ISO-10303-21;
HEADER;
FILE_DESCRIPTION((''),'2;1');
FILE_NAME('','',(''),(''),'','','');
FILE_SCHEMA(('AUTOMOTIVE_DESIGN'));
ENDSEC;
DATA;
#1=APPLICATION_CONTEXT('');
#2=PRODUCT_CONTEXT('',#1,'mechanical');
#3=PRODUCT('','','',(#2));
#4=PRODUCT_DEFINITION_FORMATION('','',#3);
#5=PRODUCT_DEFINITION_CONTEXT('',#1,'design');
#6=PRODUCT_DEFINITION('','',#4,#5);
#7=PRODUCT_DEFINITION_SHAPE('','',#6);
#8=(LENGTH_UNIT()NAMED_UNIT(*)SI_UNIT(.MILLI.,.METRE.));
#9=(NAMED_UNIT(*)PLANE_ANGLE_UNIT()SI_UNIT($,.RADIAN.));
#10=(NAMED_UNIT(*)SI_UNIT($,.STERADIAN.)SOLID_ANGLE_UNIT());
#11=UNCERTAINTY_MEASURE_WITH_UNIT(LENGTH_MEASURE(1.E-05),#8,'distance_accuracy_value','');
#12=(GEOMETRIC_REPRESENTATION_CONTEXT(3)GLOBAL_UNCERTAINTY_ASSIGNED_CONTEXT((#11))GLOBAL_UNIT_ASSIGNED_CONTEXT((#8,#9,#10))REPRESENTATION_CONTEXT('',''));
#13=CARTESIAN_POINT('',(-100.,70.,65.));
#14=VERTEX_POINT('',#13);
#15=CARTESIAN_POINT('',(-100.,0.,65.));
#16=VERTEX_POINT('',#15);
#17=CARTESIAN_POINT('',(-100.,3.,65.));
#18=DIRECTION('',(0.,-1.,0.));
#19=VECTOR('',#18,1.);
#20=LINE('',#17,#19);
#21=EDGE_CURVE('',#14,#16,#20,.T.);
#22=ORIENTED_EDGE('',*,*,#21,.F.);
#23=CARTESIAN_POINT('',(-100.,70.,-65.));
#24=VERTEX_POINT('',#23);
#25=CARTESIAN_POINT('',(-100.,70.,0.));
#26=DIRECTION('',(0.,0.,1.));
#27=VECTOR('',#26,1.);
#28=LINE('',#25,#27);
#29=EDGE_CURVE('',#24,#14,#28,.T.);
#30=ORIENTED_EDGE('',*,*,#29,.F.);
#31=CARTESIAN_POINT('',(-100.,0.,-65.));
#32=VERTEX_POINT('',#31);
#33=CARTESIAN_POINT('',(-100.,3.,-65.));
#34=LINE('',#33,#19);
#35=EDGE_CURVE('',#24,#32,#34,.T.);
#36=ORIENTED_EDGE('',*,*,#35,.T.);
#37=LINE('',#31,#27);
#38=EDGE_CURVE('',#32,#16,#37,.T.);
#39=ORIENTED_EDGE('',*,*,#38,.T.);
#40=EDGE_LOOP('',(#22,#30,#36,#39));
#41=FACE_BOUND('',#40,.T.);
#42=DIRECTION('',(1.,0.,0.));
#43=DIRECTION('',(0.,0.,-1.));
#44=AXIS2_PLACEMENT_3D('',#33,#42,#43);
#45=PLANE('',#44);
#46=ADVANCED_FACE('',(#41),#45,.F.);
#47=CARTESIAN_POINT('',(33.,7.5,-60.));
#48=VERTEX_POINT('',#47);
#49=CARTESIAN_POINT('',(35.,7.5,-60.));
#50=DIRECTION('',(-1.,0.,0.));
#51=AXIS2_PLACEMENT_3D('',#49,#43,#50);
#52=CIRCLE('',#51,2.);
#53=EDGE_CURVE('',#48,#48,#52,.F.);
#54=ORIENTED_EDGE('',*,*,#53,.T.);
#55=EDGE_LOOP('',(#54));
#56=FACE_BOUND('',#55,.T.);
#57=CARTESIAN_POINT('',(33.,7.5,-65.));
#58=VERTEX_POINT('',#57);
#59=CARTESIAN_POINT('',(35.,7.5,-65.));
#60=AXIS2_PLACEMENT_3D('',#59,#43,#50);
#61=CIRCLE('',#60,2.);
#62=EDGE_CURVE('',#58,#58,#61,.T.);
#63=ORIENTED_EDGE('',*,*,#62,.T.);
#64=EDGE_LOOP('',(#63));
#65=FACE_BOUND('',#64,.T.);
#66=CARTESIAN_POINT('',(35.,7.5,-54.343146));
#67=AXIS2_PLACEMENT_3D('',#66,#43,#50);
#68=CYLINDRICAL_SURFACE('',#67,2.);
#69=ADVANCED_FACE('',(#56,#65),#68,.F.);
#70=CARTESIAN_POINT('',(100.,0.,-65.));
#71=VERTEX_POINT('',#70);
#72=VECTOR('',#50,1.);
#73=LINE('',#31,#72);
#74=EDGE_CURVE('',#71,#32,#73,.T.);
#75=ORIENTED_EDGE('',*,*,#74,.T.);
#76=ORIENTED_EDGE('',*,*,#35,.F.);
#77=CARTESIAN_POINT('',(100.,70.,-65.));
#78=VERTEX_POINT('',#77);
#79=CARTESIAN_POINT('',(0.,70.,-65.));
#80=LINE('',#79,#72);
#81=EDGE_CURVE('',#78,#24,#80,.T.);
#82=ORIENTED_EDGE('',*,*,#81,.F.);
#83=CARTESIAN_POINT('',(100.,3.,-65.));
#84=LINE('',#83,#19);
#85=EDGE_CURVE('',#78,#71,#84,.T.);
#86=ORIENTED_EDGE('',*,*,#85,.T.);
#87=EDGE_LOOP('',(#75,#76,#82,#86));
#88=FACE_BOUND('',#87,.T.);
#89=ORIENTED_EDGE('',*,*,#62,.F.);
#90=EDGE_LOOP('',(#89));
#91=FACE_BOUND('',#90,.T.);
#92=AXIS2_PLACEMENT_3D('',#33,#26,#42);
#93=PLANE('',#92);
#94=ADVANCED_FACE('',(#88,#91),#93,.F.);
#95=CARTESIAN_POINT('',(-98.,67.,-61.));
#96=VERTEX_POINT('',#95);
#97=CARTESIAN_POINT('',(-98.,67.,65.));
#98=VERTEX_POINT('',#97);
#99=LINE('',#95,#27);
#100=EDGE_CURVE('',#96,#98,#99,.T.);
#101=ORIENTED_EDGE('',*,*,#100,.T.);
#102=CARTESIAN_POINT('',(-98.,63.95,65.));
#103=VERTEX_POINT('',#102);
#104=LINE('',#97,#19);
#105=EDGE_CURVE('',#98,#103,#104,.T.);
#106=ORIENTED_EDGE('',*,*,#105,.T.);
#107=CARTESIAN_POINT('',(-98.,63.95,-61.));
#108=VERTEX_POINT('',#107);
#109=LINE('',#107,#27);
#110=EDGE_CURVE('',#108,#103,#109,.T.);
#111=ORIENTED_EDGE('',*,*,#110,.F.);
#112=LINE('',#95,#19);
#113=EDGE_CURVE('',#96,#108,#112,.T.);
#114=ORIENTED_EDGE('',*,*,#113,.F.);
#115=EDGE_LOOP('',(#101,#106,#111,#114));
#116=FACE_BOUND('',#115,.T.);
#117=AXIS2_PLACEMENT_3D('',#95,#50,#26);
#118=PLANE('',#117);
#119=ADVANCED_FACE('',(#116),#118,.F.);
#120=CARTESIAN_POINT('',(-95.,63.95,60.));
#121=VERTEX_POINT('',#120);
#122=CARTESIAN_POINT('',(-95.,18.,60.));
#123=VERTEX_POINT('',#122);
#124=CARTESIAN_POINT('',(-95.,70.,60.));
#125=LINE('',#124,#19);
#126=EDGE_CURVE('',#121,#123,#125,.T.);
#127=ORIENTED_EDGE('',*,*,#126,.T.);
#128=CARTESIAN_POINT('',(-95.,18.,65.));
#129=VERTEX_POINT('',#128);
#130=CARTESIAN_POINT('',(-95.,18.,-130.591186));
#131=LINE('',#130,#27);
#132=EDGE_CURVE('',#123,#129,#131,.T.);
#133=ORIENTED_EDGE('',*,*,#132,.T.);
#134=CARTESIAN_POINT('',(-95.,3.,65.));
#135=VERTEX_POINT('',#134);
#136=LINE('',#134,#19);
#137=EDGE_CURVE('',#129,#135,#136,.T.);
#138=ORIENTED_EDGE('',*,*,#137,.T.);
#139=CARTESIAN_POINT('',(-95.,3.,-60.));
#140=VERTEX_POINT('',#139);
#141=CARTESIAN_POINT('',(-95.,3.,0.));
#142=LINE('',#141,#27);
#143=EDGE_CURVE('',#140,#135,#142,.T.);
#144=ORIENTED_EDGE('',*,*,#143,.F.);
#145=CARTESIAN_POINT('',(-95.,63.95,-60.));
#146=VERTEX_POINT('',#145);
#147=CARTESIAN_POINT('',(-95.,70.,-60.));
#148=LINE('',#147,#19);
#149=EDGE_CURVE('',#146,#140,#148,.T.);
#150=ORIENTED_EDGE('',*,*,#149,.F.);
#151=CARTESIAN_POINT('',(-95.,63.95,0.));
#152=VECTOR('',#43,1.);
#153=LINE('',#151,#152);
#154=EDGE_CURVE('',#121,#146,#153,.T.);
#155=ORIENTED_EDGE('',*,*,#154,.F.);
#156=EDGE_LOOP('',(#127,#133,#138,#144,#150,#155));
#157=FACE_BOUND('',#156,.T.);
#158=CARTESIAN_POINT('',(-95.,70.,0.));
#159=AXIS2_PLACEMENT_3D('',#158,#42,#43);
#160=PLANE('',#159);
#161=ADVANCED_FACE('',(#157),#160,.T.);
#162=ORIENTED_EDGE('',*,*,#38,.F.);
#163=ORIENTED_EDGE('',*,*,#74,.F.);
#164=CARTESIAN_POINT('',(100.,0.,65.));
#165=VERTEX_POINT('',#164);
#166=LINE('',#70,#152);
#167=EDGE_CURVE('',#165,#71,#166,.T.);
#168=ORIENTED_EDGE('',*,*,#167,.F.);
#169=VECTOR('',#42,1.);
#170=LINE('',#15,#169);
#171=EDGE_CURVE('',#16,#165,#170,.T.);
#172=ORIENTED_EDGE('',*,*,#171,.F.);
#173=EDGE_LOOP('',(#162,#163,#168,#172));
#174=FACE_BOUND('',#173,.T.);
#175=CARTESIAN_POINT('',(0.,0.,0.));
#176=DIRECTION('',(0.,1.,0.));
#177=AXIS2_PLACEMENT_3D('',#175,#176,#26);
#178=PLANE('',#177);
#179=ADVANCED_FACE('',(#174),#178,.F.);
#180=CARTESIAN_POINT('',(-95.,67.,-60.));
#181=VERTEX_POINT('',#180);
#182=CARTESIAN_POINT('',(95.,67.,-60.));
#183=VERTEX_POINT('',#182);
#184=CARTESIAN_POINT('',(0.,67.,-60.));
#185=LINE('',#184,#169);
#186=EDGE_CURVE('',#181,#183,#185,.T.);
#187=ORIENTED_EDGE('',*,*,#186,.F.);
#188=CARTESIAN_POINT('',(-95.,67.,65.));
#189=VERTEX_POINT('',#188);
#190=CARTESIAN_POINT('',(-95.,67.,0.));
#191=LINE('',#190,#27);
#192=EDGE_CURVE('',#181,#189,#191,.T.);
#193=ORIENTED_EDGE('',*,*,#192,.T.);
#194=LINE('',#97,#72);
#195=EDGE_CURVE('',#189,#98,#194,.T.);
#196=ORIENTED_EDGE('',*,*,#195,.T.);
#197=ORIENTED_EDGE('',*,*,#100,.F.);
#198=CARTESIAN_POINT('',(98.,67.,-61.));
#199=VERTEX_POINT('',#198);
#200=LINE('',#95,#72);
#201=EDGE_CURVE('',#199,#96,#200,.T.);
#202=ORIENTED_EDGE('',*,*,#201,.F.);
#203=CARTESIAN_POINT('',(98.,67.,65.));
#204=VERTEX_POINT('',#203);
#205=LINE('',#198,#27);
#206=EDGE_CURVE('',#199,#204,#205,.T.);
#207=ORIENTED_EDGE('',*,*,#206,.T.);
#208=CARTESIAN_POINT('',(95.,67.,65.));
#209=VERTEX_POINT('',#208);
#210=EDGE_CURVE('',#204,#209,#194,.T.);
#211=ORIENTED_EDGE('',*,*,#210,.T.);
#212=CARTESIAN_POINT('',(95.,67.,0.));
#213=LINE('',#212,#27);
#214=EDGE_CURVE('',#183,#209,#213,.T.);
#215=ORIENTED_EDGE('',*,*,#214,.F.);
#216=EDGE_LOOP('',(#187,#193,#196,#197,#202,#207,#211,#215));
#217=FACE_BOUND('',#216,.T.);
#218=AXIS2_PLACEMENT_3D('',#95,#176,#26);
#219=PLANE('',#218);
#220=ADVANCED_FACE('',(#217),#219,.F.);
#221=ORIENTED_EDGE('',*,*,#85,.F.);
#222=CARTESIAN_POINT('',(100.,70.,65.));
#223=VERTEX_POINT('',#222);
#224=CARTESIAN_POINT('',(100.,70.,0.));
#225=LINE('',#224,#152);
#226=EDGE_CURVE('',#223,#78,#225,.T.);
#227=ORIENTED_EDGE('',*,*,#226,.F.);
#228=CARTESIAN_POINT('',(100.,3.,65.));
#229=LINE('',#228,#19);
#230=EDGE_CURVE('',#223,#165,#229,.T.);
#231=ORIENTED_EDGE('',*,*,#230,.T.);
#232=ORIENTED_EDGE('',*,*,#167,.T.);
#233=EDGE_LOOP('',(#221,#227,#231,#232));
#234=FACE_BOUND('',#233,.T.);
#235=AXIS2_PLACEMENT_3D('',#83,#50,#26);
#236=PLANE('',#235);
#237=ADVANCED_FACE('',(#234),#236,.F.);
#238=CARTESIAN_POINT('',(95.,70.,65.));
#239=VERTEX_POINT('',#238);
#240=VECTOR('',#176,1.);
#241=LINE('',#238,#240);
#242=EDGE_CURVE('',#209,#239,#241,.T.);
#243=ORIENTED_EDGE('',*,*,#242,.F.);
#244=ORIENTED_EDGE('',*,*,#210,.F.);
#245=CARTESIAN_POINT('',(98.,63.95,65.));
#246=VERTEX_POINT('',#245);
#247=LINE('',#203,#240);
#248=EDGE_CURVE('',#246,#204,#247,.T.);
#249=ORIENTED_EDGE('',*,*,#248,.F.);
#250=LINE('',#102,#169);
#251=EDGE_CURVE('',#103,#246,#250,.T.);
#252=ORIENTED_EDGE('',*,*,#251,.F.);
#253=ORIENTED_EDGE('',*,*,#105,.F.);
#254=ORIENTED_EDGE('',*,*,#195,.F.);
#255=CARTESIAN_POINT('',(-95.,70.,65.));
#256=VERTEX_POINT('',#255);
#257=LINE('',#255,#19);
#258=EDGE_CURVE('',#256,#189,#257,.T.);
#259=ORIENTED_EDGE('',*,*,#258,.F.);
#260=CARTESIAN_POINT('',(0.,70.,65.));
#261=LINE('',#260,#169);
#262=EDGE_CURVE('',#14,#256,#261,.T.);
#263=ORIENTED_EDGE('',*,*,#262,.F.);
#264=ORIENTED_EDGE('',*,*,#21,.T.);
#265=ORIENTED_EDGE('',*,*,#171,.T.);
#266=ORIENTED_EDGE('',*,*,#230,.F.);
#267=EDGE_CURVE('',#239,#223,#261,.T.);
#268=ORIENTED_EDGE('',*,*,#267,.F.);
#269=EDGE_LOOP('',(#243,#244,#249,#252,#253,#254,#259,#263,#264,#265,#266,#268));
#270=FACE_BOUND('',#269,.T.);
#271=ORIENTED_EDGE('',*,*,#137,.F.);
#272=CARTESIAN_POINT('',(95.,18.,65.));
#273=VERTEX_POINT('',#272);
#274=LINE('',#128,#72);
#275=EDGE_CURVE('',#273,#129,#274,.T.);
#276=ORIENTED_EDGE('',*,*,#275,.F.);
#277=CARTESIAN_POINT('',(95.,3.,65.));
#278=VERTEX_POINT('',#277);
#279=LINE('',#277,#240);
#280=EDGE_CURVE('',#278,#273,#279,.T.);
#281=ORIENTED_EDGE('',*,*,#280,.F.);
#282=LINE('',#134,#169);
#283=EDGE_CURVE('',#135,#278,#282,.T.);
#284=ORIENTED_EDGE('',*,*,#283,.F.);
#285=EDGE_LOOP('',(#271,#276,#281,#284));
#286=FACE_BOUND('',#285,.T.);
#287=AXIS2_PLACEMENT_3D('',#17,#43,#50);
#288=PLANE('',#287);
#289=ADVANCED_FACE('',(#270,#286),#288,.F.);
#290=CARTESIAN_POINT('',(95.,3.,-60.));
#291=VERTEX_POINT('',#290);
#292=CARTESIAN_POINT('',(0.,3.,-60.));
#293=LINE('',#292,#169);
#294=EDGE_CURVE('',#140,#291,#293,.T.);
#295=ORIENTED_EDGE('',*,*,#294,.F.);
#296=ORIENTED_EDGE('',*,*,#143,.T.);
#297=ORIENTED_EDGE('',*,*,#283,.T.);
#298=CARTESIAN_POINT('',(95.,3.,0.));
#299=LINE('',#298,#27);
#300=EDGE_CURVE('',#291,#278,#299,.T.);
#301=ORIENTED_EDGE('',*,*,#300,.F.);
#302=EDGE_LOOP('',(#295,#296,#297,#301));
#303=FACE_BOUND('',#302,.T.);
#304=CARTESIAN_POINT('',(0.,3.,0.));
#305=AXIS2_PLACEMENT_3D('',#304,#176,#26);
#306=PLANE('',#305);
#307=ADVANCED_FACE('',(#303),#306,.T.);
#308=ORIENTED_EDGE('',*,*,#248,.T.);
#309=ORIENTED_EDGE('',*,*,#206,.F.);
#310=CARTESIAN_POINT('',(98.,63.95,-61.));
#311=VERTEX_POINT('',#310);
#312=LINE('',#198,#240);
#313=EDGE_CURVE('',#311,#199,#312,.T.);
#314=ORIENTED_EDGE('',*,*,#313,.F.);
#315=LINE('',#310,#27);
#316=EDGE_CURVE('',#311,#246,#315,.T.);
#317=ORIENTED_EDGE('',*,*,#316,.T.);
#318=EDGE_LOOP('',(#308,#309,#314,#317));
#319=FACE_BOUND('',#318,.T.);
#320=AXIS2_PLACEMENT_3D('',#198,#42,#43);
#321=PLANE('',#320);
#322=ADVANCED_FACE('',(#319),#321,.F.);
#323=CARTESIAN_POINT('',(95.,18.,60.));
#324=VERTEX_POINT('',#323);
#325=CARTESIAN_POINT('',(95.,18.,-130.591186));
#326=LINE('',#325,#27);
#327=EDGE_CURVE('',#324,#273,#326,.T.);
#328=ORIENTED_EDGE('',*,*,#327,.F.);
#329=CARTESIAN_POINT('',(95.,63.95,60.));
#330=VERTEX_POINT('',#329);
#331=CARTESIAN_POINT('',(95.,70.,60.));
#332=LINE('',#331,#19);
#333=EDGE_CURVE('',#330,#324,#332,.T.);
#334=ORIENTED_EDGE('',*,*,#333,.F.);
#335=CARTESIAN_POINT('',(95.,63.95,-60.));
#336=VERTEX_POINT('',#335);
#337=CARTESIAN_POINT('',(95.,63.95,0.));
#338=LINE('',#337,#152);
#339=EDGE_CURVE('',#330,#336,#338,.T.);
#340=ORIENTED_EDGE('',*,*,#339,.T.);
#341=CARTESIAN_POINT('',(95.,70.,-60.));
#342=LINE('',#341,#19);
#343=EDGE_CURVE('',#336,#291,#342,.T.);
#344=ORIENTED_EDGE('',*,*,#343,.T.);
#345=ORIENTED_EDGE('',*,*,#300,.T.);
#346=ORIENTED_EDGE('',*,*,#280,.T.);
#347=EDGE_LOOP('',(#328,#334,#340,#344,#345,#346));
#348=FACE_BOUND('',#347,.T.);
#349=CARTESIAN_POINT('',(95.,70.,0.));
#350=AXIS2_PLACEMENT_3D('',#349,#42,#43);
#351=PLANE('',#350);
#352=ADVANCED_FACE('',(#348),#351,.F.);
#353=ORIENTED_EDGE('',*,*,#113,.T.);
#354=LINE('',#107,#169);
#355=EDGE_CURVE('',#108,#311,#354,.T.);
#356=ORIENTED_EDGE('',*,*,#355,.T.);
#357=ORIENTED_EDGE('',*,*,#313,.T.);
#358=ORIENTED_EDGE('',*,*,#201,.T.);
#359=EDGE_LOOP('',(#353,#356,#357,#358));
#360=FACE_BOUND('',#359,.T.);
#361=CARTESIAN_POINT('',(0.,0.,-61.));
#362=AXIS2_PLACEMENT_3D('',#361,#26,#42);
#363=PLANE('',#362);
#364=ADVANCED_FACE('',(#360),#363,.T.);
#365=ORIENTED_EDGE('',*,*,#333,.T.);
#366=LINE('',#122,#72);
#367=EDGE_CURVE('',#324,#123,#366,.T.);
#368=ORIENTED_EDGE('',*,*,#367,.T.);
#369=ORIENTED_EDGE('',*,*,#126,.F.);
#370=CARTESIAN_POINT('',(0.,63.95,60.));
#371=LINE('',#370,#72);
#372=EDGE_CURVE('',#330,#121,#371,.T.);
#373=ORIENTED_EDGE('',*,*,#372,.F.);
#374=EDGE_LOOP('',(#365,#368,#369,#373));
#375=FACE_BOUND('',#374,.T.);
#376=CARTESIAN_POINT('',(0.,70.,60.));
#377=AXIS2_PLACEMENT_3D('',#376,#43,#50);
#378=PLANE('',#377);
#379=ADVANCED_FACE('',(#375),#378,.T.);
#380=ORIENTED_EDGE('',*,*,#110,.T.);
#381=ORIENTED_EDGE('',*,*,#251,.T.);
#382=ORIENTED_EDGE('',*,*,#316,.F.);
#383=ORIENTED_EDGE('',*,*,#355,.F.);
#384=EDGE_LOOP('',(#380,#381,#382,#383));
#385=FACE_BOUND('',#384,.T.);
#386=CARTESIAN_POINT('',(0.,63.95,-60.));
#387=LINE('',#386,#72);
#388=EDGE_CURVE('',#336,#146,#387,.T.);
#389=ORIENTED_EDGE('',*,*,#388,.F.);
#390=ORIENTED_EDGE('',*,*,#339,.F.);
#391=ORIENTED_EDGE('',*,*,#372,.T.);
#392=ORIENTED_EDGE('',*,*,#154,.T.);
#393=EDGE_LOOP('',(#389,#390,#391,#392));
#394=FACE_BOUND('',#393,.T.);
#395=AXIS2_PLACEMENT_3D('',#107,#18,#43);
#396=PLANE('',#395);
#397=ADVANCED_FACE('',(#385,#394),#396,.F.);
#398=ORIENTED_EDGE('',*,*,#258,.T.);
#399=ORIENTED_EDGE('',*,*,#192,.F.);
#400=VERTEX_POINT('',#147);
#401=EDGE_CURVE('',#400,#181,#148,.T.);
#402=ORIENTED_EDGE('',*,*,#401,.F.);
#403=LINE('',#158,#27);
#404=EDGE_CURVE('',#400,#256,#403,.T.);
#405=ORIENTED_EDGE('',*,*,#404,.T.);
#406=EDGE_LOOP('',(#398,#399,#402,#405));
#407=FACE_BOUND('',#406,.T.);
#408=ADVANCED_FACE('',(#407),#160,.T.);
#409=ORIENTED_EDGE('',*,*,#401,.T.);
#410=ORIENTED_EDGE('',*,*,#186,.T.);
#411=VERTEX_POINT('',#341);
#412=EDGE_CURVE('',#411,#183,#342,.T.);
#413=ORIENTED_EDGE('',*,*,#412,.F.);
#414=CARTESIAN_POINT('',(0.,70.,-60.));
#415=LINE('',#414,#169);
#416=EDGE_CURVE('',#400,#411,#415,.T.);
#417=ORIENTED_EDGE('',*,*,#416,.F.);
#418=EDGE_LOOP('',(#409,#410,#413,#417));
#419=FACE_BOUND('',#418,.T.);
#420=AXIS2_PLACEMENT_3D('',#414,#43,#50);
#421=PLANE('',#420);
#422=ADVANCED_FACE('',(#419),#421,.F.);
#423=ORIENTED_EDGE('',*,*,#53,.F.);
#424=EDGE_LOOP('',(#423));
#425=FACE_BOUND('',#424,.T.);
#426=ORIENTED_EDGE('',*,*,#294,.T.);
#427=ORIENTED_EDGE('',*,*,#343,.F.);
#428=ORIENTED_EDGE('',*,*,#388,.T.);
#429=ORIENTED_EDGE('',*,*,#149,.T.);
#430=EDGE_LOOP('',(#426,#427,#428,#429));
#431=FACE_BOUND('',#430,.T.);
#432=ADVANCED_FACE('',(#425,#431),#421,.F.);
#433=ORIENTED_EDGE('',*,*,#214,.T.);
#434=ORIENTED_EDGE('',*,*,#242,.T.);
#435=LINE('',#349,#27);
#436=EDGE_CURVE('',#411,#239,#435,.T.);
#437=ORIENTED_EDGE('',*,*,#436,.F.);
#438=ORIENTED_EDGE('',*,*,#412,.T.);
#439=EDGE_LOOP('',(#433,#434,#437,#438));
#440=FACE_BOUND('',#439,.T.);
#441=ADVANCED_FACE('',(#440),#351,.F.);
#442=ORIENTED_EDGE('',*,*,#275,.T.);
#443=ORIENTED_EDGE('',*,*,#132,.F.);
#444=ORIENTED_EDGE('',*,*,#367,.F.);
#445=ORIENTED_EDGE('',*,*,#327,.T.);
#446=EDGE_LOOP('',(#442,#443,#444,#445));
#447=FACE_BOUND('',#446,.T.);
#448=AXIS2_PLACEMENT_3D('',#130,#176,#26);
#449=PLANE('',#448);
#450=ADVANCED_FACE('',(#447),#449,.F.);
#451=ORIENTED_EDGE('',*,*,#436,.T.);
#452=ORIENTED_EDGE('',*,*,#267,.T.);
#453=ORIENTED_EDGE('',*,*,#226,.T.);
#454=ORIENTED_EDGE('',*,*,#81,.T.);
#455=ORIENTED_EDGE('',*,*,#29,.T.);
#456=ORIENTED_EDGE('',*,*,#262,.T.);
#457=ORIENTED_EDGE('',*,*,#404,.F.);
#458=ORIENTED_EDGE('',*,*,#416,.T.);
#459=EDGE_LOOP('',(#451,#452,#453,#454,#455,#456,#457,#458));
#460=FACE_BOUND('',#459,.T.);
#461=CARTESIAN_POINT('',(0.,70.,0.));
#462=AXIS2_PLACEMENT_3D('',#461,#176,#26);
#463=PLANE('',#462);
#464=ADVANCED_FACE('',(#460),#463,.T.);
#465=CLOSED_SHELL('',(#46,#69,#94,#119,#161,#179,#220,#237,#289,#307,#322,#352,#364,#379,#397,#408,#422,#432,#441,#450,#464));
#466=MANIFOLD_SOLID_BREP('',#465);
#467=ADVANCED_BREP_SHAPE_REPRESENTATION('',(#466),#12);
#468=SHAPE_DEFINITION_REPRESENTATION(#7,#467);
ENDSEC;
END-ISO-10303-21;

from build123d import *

# Parameters (mm, degrees)
CROQUIS1_W              = 200
CROQUIS1_H              = 130
SALIENTE_EXTRUIR1_DEPTH = 3
CROQUIS2_W              = 5
CROQUIS2_H              = 5
CROQUIS2_H_2            = 120
CROQUIS2_W_2            = 190
SALIENTE_EXTRUIR2_DEPTH = 67
CROQUIS3_W              = 190
CROQUIS3_H              = 15
CORTAR_EXTRUIR1_DEPTH   = 5
CROQUIS4_W              = 196
CROQUIS4_H              = 3.05
CORTAR_EXTRUIR2_DEPTH   = 126
CROQUIS7_W              = 190
CROQUIS7_H              = 3
CORTAR_EXTRUIR3_DEPTH   = 5
CROQUIS8_R              = 2
CORTAR_EXTRUIR4_DEPTH   = 5


with BuildPart() as part:
    # Croquis1 → Saliente-Extruir1 (new body)
    with BuildSketch(Plane(origin=(0, 0, 0), x_dir=(1, 0, 0), z_dir=(0, 1, 0))):
        Rectangle(CROQUIS1_W, CROQUIS1_H)
    extrude(amount=SALIENTE_EXTRUIR1_DEPTH)

    # Croquis2 → Saliente-Extruir2 (add)
    with BuildSketch(Plane(origin=(0, 3, 0), x_dir=(1, 0, 0), z_dir=(0, 1, 0))):
        with Locations((-97.5, 62.5)):
            Rectangle(CROQUIS2_W, CROQUIS2_H)
        with Locations((-97.5, 0)):
            Rectangle(CROQUIS2_W, CROQUIS2_H_2)
        with Locations((0, 62.5)):
            Rectangle(CROQUIS2_W_2, CROQUIS2_H)
        with Locations((97.5, 62.5)):
            Rectangle(CROQUIS2_W, CROQUIS2_H)
        with Locations((-97.5, -62.5)):
            Rectangle(CROQUIS2_W, CROQUIS2_H)
        with Locations((97.5, 0)):
            Rectangle(CROQUIS2_W, CROQUIS2_H_2)
        with Locations((0, -62.5)):
            Rectangle(CROQUIS2_W_2, CROQUIS2_H)
        with Locations((97.5, -62.5)):
            Rectangle(CROQUIS2_W, CROQUIS2_H)
    extrude(amount=SALIENTE_EXTRUIR2_DEPTH)

    # Croquis3 → Cortar-Extruir1 (cut)
    with BuildSketch(Plane.XY.offset(65)):
        with Locations((0, 10.5)):
            Rectangle(CROQUIS3_W, CROQUIS3_H)
    extrude(amount=-CORTAR_EXTRUIR1_DEPTH, mode=Mode.SUBTRACT)

    # Croquis4 → Cortar-Extruir2 (cut)
    with BuildSketch(Plane.XY.offset(65)):
        with Locations((0, 65.475)):
            Rectangle(CROQUIS4_W, CROQUIS4_H)
    extrude(amount=-CORTAR_EXTRUIR2_DEPTH, mode=Mode.SUBTRACT)

    # Croquis7 → Cortar-Extruir3 (cut)
    with BuildSketch(Plane(origin=(0, 0, 60), x_dir=(-1, 0, 0), z_dir=(0, 0, -1))):
        with Locations((0, 68.5)):
            Rectangle(CROQUIS7_W, CROQUIS7_H)
    extrude(amount=-CORTAR_EXTRUIR3_DEPTH, mode=Mode.SUBTRACT)

    # Croquis8 → Cortar-Extruir4 (cut)
    with BuildSketch(Plane(origin=(0, 0, -65), x_dir=(-1, 0, 0), z_dir=(0, 0, -1))):
        with Locations((-35, 7.5)):
            Circle(CROQUIS8_R)
    extrude(amount=-CORTAR_EXTRUIR4_DEPTH, mode=Mode.SUBTRACT)


solid = part.part
